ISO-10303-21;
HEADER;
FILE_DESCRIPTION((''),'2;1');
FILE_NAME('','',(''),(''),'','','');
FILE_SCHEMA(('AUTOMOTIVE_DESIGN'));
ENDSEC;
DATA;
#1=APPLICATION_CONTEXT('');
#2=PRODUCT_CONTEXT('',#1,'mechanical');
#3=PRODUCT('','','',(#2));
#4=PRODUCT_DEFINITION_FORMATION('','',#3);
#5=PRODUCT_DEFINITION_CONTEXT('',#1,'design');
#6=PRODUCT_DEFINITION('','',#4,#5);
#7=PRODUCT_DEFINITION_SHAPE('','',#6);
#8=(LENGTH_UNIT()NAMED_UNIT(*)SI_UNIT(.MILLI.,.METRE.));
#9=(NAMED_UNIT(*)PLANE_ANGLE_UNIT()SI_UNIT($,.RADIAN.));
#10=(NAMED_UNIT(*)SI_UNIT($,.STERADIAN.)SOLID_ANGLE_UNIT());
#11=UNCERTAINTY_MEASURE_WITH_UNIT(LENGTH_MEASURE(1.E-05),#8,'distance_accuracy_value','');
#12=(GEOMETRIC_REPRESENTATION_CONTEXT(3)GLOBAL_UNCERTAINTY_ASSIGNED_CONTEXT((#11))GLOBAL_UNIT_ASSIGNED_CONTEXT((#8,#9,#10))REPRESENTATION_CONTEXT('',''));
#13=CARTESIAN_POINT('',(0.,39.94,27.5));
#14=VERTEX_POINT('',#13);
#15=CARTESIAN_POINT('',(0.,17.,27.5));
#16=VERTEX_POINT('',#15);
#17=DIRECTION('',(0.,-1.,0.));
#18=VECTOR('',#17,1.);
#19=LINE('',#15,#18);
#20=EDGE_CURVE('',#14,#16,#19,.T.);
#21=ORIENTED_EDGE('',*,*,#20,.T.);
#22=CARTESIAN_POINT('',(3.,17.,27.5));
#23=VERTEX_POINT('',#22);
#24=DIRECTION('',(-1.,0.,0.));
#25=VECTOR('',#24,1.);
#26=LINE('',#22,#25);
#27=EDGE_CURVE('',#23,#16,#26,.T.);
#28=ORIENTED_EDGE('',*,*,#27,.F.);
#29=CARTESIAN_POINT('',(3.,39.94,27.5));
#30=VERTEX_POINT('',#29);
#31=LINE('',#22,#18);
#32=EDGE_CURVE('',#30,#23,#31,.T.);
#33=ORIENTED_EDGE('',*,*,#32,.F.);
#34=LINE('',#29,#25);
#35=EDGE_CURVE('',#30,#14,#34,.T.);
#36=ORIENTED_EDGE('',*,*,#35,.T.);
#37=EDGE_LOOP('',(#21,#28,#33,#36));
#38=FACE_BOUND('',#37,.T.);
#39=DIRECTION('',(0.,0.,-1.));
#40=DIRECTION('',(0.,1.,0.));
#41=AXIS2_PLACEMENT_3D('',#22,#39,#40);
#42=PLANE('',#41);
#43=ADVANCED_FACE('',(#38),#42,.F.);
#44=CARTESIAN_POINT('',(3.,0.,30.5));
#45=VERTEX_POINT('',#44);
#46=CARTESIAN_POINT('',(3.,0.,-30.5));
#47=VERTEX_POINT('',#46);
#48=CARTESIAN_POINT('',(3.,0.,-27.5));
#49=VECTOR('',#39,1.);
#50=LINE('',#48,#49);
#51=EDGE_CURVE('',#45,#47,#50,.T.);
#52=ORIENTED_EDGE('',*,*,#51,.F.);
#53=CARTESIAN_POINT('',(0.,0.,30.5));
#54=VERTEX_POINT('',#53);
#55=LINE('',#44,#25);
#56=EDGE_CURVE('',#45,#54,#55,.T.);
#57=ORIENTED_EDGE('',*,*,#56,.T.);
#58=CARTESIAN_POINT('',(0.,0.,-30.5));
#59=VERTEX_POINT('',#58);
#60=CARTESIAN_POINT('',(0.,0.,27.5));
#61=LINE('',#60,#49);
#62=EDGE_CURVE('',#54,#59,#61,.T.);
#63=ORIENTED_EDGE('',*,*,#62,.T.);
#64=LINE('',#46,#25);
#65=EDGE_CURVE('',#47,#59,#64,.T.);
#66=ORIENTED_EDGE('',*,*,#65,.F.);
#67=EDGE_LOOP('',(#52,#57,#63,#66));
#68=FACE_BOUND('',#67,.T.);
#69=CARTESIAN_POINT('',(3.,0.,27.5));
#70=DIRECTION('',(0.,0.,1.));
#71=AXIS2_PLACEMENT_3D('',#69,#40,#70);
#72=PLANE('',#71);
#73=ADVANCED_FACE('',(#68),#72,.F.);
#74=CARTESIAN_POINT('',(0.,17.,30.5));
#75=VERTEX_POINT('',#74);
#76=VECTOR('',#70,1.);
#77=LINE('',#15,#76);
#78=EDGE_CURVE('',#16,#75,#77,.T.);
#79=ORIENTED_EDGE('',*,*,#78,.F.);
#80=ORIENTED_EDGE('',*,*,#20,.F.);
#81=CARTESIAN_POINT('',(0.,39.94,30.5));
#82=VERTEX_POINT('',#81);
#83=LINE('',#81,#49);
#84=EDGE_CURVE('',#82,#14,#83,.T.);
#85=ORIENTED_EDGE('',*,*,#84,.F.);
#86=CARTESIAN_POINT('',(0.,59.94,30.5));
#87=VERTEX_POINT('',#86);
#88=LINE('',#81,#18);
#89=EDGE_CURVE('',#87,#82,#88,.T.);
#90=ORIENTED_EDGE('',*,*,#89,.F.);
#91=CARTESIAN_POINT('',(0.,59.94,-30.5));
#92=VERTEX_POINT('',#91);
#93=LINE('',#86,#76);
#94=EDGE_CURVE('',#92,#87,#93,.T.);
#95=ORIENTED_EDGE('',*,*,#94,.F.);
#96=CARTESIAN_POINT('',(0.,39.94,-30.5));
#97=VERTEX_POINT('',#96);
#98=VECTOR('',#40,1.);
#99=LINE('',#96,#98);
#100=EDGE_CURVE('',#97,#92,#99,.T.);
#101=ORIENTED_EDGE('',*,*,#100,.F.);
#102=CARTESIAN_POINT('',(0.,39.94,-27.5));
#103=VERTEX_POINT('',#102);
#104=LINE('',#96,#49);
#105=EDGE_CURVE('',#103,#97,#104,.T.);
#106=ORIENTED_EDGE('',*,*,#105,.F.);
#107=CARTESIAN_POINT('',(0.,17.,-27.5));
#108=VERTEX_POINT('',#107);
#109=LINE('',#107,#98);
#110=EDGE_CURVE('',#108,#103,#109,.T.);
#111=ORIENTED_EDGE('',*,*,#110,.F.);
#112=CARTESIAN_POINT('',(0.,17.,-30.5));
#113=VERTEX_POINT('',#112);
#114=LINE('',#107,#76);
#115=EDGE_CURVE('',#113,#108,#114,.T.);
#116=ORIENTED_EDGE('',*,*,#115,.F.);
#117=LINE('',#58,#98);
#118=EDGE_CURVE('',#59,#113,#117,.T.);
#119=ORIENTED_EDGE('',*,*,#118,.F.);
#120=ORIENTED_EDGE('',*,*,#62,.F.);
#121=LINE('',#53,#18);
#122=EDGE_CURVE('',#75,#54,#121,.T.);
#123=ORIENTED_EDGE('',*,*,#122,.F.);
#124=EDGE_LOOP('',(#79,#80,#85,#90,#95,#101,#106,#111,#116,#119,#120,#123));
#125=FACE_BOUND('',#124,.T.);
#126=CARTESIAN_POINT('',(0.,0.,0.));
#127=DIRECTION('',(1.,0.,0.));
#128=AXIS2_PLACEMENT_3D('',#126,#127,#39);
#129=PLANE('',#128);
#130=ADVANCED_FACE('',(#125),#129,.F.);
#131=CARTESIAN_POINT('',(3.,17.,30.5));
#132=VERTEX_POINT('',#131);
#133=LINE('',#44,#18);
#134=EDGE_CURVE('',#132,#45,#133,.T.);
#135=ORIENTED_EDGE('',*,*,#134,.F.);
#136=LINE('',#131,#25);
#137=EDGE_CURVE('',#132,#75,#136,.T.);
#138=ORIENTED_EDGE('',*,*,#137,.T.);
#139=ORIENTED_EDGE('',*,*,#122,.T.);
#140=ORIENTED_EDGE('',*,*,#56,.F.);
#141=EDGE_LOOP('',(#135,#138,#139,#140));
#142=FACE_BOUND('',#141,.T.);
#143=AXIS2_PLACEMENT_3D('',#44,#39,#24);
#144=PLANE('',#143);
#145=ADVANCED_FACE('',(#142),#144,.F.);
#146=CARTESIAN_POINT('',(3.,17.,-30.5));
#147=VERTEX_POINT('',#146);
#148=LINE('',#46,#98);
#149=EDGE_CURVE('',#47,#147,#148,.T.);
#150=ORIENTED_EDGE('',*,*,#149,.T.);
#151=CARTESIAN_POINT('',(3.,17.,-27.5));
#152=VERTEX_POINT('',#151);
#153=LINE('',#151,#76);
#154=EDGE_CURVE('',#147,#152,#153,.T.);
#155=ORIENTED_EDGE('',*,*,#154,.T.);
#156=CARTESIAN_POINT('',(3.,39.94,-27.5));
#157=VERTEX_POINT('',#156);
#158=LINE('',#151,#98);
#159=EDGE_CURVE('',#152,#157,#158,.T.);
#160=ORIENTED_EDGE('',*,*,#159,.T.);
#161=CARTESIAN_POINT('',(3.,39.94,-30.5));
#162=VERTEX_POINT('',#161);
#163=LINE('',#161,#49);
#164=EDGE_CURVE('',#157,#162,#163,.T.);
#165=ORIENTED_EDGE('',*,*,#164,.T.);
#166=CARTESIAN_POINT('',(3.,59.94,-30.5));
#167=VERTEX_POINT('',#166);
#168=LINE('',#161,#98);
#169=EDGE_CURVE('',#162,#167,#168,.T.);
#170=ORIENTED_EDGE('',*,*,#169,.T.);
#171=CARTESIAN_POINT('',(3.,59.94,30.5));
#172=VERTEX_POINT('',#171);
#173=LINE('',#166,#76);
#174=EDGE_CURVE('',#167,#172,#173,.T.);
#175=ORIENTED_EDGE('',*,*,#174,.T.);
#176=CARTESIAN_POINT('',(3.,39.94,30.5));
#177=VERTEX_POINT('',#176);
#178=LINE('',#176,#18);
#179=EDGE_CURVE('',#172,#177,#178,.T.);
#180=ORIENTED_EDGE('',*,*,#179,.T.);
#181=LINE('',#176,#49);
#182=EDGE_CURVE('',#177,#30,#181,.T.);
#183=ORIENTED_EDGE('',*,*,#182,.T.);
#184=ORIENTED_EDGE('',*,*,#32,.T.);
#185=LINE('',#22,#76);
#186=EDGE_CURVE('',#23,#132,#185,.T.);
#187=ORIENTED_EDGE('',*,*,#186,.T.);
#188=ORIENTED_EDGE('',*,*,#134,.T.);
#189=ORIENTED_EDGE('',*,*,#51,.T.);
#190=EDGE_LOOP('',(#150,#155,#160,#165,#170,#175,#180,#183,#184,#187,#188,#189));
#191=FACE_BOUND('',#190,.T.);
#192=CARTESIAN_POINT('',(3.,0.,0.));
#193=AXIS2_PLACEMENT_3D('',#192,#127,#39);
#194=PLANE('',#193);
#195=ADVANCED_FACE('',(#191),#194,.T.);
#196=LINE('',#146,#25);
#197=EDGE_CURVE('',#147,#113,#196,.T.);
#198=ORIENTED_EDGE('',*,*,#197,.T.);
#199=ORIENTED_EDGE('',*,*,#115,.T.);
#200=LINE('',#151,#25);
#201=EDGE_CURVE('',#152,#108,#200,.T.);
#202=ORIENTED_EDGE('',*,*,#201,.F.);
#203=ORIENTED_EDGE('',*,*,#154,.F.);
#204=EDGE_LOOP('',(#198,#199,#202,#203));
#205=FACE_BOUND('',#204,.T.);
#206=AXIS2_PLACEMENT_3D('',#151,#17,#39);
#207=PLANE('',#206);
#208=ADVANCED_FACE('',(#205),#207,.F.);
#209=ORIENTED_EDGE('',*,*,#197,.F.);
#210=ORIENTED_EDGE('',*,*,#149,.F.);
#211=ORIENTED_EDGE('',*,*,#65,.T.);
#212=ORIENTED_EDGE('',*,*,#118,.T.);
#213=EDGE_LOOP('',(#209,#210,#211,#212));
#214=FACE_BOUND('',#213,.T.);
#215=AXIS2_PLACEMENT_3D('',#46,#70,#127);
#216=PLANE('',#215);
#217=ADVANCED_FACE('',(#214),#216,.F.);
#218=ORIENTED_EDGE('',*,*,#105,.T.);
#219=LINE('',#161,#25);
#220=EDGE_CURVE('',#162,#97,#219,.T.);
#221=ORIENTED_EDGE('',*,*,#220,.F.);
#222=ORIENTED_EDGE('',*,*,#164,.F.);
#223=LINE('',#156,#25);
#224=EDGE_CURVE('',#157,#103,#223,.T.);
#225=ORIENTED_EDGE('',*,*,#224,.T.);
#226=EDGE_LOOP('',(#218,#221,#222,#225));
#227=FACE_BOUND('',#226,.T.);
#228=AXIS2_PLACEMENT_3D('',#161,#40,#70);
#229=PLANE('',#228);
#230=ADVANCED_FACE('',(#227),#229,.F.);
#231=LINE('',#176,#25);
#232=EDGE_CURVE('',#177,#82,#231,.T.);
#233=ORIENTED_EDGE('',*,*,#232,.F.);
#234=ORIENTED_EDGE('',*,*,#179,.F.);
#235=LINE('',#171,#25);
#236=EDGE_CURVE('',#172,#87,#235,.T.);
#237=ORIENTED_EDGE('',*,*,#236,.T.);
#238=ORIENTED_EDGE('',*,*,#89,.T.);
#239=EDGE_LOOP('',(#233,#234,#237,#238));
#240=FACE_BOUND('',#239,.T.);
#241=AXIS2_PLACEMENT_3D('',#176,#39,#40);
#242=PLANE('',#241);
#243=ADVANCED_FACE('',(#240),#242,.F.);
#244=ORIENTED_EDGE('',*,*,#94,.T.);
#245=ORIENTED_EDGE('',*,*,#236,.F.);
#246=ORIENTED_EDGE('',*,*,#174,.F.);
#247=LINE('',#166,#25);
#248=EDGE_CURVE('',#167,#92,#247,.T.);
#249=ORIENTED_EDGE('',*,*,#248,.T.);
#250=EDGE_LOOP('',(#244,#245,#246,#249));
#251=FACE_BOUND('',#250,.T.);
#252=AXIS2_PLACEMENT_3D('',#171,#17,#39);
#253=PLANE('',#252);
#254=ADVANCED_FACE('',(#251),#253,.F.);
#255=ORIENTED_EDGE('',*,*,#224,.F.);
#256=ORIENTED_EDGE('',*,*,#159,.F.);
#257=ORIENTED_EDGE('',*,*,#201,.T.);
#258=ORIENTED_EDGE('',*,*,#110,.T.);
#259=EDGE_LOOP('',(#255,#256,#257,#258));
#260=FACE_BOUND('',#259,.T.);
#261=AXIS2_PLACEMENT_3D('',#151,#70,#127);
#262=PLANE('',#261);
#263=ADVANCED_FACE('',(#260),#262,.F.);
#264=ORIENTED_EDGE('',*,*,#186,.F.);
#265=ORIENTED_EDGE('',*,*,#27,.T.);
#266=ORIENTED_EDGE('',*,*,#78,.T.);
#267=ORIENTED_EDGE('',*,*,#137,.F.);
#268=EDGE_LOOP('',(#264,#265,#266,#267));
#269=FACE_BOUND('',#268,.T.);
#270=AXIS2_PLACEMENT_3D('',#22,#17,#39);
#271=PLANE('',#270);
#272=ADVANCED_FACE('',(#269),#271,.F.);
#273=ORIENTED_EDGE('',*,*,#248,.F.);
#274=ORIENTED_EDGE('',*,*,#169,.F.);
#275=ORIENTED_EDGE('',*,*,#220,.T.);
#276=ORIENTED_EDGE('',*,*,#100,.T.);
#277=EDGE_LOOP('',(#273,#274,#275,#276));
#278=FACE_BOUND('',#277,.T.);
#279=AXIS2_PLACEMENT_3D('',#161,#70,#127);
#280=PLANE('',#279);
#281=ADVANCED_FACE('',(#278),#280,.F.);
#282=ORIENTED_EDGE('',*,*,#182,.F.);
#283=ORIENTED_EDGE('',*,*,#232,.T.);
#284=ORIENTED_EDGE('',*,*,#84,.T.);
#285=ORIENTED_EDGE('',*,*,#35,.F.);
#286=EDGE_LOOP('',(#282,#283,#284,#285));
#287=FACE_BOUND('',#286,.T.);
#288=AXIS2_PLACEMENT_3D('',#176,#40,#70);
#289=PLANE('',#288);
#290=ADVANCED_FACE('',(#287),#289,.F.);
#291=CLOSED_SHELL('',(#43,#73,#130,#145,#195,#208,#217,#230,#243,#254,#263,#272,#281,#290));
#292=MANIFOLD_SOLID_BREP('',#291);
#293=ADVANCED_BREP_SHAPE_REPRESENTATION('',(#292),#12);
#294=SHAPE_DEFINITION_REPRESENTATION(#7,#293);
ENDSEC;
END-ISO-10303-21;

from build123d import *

# Parameters (mm, degrees)
BOSS_EXTRUDE1_DEPTH = 3


with BuildPart() as part:
    # Sketch1 → Boss-Extrude1 (new body)
    with BuildSketch(Plane(origin=(0, 0, 0), x_dir=(0, 0, -1), z_dir=(1, 0, 0))):
        Polygon((-27.5, 0), (27.5, 0), (30.5, 0), (30.5, 17), (27.5, 17), (27.5, 39.94), (30.5, 39.94), (30.5, 59.94), (27.5, 59.94), (-27.5, 59.94), (-30.5, 59.94), (-30.5, 39.94), (-27.5, 39.94), (-27.5, 17), (-30.5, 17), (-30.5, 0), align=None)
    extrude(amount=BOSS_EXTRUDE1_DEPTH)


solid = part.part
